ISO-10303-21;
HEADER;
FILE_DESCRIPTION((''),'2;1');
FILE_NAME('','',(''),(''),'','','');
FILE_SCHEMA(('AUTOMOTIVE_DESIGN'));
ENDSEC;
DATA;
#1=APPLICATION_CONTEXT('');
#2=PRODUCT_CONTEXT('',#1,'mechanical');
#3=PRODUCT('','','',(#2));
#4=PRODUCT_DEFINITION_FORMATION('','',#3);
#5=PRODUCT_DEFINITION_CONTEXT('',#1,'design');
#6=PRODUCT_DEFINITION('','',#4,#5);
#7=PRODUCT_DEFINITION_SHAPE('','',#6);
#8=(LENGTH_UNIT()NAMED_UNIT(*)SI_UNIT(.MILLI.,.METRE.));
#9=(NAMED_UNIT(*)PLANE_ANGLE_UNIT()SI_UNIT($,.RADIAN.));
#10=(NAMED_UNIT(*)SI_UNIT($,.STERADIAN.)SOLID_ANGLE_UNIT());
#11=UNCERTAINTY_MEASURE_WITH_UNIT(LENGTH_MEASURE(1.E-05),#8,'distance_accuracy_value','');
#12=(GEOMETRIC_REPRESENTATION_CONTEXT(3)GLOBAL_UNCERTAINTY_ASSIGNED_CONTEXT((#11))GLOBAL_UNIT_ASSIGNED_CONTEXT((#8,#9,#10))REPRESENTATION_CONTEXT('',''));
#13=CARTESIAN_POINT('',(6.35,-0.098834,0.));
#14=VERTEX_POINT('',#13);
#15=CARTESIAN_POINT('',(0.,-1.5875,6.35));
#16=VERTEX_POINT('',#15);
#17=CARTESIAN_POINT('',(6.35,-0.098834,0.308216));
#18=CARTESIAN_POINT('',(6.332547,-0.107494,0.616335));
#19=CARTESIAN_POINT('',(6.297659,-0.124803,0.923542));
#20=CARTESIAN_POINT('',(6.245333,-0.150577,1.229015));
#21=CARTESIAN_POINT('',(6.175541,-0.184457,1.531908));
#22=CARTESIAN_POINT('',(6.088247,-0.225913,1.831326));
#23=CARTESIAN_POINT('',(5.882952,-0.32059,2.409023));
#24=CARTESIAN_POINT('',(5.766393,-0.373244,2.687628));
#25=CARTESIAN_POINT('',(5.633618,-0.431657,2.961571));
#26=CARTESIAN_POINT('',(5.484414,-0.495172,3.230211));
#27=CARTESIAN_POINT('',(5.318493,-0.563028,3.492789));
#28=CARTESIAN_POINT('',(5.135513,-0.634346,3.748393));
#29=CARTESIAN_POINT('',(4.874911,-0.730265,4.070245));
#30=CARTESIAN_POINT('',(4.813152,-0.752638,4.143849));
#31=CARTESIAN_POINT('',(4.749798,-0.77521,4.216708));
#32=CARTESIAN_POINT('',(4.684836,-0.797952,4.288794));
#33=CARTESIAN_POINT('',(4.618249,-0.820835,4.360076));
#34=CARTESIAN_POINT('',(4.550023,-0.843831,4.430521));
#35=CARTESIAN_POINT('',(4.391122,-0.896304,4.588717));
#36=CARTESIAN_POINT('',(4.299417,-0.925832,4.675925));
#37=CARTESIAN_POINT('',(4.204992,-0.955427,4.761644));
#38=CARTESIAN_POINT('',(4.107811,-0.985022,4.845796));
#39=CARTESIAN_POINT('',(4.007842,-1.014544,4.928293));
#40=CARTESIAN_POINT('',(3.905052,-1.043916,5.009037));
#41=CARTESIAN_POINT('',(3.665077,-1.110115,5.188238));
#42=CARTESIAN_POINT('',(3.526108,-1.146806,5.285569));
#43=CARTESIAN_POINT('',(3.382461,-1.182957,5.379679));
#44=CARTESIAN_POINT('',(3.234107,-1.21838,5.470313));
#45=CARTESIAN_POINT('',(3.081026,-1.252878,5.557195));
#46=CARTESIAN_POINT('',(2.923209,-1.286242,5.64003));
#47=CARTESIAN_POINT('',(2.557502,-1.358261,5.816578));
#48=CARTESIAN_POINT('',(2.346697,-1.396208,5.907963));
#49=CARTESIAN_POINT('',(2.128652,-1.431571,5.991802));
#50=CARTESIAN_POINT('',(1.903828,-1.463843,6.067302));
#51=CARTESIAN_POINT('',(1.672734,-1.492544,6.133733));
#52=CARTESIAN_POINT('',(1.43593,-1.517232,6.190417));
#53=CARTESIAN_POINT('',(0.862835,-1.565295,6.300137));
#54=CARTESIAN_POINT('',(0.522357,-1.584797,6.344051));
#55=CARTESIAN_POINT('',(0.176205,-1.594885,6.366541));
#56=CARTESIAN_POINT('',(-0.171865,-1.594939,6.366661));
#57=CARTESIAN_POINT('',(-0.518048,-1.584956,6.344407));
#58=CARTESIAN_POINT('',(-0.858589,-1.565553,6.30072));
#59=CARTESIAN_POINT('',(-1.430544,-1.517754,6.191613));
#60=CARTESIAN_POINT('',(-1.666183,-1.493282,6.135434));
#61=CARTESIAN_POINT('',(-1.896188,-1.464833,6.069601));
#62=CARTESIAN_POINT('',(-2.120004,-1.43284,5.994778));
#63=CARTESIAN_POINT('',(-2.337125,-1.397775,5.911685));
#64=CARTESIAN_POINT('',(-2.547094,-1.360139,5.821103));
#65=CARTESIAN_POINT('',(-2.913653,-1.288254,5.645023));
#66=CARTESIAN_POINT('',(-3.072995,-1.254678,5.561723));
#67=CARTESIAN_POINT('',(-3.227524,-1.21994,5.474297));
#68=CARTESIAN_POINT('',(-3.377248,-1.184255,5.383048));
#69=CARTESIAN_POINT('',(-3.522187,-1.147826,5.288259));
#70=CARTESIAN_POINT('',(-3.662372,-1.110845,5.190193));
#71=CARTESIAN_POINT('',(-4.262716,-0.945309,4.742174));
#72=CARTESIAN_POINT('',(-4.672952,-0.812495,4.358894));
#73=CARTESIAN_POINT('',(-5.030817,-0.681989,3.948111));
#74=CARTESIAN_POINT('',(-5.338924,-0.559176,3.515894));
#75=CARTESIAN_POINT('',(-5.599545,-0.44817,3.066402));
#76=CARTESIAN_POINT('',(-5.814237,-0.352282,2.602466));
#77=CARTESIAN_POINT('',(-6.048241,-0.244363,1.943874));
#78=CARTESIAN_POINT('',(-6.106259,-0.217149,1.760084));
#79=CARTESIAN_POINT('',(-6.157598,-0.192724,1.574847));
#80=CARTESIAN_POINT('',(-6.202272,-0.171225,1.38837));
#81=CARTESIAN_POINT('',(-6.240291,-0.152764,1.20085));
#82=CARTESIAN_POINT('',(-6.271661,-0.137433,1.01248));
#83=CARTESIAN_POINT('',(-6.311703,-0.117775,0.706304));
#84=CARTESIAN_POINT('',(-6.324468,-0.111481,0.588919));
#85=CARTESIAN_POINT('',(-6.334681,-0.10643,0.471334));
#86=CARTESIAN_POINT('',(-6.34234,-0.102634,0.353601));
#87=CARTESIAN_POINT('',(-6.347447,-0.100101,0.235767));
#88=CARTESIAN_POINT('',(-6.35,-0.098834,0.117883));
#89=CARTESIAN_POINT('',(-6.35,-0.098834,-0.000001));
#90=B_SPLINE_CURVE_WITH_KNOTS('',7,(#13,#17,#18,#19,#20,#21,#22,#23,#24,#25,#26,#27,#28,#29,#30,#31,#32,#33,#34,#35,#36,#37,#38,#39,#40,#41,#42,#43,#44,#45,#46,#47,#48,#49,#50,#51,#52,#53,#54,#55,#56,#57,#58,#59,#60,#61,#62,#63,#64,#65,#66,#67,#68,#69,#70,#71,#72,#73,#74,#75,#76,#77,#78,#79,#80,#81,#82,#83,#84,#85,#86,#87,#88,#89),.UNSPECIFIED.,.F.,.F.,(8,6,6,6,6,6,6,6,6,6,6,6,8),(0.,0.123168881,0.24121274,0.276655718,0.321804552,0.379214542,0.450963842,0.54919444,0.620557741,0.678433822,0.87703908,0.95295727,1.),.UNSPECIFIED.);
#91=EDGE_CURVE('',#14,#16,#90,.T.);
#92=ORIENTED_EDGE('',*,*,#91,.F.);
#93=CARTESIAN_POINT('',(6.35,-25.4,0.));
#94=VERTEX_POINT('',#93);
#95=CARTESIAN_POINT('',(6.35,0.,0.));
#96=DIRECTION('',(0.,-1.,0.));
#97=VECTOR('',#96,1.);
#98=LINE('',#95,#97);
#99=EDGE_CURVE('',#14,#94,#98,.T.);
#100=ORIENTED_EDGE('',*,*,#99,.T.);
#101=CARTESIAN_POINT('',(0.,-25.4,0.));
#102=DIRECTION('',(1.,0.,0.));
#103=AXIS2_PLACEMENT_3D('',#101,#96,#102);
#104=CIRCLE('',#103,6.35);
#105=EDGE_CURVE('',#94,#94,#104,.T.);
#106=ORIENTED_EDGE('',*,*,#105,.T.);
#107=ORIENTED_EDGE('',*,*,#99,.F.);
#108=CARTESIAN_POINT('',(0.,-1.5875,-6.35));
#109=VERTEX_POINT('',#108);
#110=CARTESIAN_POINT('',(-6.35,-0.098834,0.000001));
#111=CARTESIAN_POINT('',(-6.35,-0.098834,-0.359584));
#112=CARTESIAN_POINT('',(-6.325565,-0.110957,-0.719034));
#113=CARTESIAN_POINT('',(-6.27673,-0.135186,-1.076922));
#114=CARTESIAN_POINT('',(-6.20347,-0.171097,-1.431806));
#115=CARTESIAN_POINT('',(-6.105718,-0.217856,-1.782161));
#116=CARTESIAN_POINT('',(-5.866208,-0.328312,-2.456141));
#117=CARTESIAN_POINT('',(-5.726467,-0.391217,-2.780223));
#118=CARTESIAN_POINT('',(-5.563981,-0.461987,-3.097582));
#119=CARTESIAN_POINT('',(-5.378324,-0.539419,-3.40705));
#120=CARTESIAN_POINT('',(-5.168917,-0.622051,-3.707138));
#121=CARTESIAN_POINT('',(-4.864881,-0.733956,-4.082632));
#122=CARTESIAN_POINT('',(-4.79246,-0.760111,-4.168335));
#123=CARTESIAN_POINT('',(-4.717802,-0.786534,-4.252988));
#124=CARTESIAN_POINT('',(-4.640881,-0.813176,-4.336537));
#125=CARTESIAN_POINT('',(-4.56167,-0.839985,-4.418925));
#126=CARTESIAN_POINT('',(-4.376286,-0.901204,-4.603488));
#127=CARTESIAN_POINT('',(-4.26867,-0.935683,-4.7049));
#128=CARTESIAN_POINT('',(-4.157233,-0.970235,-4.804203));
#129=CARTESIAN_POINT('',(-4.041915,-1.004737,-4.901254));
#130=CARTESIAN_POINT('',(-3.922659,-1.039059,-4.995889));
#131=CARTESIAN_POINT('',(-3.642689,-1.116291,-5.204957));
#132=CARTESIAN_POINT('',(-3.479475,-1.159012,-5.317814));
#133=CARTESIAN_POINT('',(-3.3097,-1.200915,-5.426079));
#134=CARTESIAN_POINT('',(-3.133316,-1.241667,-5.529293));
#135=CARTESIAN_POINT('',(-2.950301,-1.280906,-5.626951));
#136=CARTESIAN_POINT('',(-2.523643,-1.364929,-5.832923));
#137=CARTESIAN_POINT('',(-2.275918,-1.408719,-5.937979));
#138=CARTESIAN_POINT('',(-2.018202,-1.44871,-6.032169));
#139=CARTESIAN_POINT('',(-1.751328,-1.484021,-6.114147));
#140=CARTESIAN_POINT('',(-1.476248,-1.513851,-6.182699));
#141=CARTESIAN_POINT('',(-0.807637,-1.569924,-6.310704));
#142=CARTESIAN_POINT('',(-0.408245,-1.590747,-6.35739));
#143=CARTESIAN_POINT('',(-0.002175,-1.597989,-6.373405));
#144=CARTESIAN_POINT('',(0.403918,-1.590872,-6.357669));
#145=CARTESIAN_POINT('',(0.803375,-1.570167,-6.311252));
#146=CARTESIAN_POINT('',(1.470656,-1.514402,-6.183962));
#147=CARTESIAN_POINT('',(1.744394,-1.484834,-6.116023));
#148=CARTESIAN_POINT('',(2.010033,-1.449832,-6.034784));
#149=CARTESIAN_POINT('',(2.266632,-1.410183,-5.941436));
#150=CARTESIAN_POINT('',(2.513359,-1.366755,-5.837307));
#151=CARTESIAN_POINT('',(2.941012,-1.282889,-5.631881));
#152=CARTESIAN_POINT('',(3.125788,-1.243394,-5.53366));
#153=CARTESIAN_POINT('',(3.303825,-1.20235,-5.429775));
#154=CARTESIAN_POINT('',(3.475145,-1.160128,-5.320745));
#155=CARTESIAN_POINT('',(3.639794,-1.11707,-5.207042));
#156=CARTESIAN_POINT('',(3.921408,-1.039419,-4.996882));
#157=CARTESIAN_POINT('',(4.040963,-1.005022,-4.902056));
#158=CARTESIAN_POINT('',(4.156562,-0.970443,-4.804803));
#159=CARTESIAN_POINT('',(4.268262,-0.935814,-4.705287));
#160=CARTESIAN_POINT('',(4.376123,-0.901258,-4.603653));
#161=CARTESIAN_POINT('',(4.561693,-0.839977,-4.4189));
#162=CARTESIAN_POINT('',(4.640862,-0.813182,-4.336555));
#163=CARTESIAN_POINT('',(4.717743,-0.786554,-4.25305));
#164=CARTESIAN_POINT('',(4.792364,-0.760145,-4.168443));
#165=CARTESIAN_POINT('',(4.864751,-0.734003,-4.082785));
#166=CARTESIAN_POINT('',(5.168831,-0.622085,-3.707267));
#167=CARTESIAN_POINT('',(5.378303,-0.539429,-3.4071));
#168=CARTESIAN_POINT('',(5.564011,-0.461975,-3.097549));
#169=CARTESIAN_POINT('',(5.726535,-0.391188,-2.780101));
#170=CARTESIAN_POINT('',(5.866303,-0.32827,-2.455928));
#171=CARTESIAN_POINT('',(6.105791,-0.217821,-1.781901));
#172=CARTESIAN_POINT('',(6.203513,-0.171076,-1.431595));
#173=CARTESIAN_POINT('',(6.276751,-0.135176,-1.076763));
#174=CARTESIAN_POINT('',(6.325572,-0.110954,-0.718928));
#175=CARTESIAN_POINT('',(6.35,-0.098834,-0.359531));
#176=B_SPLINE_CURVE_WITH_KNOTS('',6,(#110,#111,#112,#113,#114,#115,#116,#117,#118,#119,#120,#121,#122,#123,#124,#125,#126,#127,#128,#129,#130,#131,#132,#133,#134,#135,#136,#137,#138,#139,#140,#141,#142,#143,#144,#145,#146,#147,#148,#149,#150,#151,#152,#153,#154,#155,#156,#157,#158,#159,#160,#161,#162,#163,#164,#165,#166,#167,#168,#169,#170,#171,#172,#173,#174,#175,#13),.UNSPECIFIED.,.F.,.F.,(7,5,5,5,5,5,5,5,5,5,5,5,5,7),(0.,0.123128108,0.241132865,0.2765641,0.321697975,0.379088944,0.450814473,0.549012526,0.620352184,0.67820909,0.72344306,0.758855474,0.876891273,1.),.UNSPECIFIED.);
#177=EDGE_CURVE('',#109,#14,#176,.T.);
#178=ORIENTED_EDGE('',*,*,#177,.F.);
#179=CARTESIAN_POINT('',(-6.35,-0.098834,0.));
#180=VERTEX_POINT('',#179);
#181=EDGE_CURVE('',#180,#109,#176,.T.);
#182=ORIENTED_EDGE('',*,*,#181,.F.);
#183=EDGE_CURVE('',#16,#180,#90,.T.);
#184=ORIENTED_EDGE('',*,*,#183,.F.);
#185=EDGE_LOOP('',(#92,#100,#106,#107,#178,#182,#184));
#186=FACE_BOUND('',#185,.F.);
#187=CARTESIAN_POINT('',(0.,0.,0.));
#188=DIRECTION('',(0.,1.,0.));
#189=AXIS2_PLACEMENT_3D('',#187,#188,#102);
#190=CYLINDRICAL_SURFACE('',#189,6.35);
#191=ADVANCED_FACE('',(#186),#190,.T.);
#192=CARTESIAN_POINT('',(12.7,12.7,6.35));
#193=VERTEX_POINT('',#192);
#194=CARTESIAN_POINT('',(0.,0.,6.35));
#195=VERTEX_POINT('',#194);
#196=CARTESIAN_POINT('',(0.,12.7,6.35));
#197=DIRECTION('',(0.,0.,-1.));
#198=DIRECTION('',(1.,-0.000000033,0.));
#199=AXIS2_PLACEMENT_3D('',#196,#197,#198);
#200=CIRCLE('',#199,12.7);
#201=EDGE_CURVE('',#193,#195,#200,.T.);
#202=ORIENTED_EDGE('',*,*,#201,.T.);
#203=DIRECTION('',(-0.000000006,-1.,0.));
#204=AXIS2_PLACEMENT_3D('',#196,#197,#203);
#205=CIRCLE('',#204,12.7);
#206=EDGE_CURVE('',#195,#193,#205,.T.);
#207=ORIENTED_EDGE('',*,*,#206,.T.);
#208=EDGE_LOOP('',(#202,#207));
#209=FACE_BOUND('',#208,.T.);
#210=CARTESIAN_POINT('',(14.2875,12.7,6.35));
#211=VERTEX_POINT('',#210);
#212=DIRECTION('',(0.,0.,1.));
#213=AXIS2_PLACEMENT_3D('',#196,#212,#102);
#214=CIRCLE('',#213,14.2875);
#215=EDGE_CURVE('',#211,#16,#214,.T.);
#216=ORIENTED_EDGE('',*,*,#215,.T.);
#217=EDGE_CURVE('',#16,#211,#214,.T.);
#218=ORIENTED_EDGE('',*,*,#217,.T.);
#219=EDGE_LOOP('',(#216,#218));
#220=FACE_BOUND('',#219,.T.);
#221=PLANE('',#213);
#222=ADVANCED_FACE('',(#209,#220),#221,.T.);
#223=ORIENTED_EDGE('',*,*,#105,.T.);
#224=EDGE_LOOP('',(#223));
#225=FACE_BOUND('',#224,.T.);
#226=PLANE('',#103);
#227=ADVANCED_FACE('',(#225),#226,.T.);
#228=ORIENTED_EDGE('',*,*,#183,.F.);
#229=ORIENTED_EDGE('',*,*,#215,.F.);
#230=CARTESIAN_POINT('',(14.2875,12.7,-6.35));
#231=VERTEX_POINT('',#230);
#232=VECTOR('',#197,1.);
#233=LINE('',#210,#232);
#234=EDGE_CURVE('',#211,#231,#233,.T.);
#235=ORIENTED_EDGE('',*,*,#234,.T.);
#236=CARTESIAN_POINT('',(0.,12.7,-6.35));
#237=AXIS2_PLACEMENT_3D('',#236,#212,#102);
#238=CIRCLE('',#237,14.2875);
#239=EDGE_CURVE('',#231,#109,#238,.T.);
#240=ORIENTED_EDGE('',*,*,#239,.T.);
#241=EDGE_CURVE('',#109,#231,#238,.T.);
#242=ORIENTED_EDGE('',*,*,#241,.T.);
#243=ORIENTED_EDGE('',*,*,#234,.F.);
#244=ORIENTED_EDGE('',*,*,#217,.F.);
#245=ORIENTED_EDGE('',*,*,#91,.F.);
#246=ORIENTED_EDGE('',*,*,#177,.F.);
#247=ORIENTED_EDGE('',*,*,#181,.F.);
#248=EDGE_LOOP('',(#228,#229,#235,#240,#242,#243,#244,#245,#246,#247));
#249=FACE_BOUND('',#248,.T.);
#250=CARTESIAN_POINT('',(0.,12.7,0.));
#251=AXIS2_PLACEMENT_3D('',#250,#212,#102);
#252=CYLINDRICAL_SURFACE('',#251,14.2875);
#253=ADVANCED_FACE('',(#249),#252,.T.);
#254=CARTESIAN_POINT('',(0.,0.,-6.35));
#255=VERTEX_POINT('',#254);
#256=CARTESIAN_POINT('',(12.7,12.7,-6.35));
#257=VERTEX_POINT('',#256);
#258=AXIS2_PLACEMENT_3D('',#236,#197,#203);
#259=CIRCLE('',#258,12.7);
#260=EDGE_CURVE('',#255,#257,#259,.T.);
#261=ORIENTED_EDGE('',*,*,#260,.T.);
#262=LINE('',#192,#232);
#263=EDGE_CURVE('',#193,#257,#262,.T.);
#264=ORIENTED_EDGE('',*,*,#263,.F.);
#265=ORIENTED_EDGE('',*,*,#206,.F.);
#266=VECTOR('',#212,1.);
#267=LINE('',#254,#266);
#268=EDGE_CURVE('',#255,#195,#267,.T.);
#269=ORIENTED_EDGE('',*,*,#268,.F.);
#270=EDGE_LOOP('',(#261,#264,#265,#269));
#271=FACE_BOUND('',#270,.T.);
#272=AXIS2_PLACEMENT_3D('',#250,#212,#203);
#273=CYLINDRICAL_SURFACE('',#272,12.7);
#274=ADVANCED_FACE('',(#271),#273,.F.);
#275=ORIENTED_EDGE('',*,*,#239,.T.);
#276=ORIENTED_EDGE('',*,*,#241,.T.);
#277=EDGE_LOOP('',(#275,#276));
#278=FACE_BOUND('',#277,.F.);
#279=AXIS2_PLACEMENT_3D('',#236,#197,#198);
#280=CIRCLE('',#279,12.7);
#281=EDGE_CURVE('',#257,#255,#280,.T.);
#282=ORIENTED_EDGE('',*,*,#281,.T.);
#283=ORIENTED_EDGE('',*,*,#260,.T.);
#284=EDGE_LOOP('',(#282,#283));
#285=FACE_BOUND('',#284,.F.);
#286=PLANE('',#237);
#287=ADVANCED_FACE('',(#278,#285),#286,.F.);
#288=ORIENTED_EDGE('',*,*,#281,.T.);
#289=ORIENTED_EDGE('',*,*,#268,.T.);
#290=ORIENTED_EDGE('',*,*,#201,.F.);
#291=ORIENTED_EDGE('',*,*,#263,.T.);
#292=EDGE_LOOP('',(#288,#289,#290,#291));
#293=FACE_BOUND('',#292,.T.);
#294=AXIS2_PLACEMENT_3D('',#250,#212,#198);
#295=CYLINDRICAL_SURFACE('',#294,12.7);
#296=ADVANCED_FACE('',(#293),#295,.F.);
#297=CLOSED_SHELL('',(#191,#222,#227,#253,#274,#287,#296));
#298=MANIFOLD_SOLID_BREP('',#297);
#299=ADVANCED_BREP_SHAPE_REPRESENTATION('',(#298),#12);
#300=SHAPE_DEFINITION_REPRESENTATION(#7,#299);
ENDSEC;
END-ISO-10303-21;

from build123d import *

# Parameters (mm, degrees)
F0_R          = 6.35
F1_DEPTH      = 25.4
F2_R          = 14.2875
F3_DEPTH      = 6.35
F3_DEPTH_BACK = 6.35


with BuildPart() as f1:
    # F0 (on Front) → F1 (new body)
    with BuildSketch(Plane.XZ):
        Circle(F0_R)
    extrude(amount=F1_DEPTH)

    # F2 (on Top) → F3 (join, two sides)
    with BuildSketch(Plane.XY) as f3_sk:
        with Locations((0, 12.7)):
            Circle(F2_R)
        with BuildLine():
            ThreePointArc((0, 0), (-8.980256, 21.680256), (12.7, 12.7))
            ThreePointArc((12.7, 12.7), (8.980256, 3.719744), (0, 0))
        make_face(mode=Mode.SUBTRACT)
    extrude(amount=F3_DEPTH)
    extrude(f3_sk.sketch, amount=-F3_DEPTH_BACK)


solid = f1.part
